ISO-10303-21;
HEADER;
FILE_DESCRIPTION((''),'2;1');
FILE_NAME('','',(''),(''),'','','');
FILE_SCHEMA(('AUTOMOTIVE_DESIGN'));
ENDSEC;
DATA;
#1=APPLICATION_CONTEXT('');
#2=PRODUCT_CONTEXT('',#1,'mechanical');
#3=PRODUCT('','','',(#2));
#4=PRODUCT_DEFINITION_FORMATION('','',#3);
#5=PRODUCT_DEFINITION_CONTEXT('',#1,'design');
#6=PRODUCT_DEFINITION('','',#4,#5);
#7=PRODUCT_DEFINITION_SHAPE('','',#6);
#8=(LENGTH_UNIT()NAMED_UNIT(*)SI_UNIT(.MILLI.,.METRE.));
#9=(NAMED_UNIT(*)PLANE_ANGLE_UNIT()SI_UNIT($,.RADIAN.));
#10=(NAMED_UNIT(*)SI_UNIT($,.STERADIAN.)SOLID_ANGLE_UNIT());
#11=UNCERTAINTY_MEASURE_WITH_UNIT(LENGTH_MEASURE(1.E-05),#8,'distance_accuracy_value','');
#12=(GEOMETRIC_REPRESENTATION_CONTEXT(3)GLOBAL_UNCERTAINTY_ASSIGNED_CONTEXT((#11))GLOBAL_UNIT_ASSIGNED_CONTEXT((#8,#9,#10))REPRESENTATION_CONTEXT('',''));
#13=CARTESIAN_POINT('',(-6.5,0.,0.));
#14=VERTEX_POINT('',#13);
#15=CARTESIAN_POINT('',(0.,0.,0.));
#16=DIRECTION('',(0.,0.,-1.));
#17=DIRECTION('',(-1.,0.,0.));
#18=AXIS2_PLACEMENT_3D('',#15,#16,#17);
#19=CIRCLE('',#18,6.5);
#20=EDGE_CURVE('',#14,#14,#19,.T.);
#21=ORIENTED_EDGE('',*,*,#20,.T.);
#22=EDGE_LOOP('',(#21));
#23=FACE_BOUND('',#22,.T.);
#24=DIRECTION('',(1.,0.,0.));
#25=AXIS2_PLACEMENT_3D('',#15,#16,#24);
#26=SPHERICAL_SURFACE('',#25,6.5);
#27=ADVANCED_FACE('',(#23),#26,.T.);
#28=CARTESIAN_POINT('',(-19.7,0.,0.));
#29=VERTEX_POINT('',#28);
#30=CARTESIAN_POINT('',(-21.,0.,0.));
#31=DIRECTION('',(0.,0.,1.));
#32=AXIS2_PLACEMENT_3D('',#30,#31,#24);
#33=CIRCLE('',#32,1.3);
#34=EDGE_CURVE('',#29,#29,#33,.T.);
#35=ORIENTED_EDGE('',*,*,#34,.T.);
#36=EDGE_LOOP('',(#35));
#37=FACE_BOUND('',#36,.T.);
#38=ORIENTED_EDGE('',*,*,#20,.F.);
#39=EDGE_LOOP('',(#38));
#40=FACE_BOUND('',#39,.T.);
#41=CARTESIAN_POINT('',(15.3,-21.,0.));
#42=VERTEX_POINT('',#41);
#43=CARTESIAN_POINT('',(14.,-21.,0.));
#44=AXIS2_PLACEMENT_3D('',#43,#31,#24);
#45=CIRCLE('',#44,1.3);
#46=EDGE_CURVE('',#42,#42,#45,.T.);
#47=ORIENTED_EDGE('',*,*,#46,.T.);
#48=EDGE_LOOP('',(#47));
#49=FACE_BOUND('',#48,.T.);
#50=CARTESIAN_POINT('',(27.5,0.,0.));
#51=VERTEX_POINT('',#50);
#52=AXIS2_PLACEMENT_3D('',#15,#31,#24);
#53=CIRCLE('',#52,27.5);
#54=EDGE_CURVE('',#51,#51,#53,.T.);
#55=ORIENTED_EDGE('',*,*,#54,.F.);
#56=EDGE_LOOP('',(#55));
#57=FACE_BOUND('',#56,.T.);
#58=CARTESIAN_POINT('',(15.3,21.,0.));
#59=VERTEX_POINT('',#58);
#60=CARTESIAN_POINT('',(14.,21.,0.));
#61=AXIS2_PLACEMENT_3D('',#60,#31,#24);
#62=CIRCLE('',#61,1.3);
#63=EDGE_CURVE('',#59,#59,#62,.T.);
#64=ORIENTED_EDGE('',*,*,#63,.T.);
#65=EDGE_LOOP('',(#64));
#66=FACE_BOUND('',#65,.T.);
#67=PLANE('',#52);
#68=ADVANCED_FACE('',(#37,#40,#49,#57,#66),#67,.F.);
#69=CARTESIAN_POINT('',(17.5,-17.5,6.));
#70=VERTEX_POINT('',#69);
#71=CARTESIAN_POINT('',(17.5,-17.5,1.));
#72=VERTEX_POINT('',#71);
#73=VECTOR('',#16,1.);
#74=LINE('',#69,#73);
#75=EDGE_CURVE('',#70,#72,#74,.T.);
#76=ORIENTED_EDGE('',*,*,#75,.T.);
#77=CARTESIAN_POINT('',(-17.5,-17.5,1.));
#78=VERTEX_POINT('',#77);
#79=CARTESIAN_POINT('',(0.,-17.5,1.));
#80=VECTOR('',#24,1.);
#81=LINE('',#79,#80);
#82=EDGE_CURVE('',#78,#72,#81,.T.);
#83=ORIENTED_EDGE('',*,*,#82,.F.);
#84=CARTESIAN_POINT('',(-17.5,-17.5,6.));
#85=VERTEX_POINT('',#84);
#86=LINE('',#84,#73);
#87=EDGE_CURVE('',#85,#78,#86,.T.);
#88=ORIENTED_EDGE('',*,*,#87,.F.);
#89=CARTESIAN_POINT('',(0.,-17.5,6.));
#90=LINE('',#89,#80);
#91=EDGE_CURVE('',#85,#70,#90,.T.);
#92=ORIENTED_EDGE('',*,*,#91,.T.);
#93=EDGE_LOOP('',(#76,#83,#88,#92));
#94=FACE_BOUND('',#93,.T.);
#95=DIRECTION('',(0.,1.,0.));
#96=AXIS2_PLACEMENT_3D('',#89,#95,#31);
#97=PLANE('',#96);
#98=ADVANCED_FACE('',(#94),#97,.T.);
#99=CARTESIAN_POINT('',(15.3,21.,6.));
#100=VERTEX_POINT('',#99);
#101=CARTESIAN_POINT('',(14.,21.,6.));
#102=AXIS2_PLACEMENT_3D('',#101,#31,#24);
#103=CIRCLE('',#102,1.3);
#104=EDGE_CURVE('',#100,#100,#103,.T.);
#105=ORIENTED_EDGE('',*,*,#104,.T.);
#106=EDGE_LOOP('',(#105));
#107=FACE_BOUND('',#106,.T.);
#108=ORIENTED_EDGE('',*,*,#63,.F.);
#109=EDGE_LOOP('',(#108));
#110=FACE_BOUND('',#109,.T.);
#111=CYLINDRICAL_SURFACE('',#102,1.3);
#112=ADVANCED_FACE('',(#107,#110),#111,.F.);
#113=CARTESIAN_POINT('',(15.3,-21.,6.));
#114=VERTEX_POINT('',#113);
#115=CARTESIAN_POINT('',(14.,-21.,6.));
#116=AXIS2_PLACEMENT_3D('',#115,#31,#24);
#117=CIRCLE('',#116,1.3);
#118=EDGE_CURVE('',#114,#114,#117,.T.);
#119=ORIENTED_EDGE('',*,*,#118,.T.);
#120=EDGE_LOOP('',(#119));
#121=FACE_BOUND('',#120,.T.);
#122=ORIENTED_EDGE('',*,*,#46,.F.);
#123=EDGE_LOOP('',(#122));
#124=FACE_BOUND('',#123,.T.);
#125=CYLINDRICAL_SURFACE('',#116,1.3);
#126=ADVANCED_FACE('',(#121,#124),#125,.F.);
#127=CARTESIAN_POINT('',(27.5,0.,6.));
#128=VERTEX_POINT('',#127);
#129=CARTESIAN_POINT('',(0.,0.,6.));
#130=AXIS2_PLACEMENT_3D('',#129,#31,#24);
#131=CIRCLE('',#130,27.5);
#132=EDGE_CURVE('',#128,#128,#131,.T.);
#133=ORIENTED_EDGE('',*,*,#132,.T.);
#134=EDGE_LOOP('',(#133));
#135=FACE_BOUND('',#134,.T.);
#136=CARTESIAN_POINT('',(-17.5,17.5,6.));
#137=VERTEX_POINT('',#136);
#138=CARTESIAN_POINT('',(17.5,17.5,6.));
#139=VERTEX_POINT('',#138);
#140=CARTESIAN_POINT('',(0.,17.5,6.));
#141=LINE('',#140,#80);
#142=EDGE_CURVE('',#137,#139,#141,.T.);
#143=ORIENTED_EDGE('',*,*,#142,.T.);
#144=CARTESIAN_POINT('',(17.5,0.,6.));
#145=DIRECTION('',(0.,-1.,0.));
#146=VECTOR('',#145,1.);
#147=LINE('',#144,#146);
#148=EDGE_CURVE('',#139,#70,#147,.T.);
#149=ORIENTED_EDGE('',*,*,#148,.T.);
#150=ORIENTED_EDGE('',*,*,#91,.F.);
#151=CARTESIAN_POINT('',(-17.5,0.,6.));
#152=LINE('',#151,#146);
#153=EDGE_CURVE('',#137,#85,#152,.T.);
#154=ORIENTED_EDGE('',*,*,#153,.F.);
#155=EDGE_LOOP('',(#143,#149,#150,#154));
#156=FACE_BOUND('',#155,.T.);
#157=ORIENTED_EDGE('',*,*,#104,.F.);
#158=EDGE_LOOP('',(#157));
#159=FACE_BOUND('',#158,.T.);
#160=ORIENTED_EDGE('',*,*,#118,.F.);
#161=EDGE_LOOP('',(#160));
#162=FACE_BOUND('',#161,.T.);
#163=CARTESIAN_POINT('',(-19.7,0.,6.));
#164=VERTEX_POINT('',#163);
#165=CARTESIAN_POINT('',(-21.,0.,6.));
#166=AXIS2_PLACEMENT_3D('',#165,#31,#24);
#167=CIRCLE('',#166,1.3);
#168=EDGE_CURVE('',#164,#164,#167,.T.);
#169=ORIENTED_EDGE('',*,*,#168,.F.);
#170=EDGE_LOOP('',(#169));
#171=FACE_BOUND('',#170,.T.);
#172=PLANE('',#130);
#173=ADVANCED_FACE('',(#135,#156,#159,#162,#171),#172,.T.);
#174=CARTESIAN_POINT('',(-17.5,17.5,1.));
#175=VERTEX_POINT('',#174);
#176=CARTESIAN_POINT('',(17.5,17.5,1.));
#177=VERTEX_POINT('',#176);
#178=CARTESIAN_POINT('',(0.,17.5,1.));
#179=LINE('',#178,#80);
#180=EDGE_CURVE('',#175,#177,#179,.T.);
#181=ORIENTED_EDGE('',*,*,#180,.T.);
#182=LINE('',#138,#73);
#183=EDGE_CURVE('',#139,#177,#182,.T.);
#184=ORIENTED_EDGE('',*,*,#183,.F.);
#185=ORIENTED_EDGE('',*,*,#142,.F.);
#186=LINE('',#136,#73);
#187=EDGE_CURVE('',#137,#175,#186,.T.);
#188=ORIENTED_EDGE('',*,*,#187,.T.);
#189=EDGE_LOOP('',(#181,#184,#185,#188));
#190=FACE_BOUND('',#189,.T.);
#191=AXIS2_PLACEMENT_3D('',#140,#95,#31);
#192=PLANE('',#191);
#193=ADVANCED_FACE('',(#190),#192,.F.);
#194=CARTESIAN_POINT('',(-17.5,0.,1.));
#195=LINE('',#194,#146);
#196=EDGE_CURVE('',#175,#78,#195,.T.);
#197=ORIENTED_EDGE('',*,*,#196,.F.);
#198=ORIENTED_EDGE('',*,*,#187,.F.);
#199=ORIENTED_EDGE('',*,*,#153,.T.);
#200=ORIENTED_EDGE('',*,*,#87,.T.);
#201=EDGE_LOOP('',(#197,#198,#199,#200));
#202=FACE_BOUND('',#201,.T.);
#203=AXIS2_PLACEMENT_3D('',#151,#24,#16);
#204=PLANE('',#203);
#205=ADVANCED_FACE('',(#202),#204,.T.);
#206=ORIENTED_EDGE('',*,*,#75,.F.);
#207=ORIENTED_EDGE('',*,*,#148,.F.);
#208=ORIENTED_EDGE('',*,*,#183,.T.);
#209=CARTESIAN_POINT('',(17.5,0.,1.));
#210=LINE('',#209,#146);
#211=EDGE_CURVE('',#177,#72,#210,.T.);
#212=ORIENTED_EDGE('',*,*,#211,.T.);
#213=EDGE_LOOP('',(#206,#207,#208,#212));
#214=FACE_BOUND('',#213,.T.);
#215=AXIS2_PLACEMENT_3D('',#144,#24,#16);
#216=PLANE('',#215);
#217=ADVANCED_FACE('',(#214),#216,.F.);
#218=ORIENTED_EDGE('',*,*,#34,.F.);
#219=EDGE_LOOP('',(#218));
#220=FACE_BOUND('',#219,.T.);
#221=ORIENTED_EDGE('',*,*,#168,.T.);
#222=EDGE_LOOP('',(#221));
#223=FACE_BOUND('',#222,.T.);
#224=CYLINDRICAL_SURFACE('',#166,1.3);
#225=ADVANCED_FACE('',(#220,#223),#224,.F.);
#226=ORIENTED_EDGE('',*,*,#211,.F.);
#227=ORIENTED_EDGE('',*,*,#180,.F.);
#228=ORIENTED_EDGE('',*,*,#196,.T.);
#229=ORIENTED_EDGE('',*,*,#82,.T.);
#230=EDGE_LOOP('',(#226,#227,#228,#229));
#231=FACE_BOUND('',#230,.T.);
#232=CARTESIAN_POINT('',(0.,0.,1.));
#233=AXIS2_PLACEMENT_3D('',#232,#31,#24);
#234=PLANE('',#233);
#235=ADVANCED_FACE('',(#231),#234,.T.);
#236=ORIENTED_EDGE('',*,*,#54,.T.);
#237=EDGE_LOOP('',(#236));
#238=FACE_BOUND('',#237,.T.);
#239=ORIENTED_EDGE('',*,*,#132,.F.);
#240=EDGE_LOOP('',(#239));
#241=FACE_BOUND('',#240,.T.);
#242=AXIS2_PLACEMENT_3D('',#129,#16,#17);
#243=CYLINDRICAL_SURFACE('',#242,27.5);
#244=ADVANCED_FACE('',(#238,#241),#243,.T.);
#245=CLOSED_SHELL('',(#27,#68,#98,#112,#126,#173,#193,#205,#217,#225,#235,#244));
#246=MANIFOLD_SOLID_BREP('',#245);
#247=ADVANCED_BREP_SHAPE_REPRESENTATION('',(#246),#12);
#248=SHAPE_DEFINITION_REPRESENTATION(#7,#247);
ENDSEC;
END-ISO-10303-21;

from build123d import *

# Parameters (mm, degrees)
SKETCH1_R            = 27.5
SKETCH1_W            = 35
SKETCH1_H            = 35
BOSS_EXTRUDE1_DEPTH  = 6
SKETCH1_3_W          = 35
SKETCH1_3_H          = 35
BOSS_EXTRUDE2_DEPTH  = 1
M2_CLEARANCE_HOLE1_D = 2.6


with BuildPart() as part:
    # Sketch1 → Boss-Extrude1 (new body)
    with BuildSketch(Plane.XY):
        Circle(SKETCH1_R)
        Rectangle(SKETCH1_W, SKETCH1_H, mode=Mode.SUBTRACT)
    extrude(amount=BOSS_EXTRUDE1_DEPTH)

    # Sketch1<3> → Boss-Extrude2 (add)
    with BuildSketch(Plane.XY):
        Rectangle(SKETCH1_3_W, SKETCH1_3_H)
    extrude(amount=BOSS_EXTRUDE2_DEPTH)

    # Sketch2 → Revolve1 (revolve)
    with BuildSketch(Plane(origin=(0, 0, 0), x_dir=(1, 0, 0), z_dir=(0, 1, 0))):
        with BuildLine():
            Line((0, 6.5), (0, 0))
            Line((0, 0), (-6.5, 0))
            ThreePointArc((-6.5, 0), (-4.596194078, 4.596194078), (0, 6.5))
        make_face()
    revolve(axis=Axis((0, 0, -15), (0, 0, 1)))

    # M2 Clearance Hole1 (through all)
    with Locations(Plane.XY.offset(6)):
        with Locations((-21, 0), (14, -21), (14, 21)):
            Hole(M2_CLEARANCE_HOLE1_D / 2)


solid = part.part
